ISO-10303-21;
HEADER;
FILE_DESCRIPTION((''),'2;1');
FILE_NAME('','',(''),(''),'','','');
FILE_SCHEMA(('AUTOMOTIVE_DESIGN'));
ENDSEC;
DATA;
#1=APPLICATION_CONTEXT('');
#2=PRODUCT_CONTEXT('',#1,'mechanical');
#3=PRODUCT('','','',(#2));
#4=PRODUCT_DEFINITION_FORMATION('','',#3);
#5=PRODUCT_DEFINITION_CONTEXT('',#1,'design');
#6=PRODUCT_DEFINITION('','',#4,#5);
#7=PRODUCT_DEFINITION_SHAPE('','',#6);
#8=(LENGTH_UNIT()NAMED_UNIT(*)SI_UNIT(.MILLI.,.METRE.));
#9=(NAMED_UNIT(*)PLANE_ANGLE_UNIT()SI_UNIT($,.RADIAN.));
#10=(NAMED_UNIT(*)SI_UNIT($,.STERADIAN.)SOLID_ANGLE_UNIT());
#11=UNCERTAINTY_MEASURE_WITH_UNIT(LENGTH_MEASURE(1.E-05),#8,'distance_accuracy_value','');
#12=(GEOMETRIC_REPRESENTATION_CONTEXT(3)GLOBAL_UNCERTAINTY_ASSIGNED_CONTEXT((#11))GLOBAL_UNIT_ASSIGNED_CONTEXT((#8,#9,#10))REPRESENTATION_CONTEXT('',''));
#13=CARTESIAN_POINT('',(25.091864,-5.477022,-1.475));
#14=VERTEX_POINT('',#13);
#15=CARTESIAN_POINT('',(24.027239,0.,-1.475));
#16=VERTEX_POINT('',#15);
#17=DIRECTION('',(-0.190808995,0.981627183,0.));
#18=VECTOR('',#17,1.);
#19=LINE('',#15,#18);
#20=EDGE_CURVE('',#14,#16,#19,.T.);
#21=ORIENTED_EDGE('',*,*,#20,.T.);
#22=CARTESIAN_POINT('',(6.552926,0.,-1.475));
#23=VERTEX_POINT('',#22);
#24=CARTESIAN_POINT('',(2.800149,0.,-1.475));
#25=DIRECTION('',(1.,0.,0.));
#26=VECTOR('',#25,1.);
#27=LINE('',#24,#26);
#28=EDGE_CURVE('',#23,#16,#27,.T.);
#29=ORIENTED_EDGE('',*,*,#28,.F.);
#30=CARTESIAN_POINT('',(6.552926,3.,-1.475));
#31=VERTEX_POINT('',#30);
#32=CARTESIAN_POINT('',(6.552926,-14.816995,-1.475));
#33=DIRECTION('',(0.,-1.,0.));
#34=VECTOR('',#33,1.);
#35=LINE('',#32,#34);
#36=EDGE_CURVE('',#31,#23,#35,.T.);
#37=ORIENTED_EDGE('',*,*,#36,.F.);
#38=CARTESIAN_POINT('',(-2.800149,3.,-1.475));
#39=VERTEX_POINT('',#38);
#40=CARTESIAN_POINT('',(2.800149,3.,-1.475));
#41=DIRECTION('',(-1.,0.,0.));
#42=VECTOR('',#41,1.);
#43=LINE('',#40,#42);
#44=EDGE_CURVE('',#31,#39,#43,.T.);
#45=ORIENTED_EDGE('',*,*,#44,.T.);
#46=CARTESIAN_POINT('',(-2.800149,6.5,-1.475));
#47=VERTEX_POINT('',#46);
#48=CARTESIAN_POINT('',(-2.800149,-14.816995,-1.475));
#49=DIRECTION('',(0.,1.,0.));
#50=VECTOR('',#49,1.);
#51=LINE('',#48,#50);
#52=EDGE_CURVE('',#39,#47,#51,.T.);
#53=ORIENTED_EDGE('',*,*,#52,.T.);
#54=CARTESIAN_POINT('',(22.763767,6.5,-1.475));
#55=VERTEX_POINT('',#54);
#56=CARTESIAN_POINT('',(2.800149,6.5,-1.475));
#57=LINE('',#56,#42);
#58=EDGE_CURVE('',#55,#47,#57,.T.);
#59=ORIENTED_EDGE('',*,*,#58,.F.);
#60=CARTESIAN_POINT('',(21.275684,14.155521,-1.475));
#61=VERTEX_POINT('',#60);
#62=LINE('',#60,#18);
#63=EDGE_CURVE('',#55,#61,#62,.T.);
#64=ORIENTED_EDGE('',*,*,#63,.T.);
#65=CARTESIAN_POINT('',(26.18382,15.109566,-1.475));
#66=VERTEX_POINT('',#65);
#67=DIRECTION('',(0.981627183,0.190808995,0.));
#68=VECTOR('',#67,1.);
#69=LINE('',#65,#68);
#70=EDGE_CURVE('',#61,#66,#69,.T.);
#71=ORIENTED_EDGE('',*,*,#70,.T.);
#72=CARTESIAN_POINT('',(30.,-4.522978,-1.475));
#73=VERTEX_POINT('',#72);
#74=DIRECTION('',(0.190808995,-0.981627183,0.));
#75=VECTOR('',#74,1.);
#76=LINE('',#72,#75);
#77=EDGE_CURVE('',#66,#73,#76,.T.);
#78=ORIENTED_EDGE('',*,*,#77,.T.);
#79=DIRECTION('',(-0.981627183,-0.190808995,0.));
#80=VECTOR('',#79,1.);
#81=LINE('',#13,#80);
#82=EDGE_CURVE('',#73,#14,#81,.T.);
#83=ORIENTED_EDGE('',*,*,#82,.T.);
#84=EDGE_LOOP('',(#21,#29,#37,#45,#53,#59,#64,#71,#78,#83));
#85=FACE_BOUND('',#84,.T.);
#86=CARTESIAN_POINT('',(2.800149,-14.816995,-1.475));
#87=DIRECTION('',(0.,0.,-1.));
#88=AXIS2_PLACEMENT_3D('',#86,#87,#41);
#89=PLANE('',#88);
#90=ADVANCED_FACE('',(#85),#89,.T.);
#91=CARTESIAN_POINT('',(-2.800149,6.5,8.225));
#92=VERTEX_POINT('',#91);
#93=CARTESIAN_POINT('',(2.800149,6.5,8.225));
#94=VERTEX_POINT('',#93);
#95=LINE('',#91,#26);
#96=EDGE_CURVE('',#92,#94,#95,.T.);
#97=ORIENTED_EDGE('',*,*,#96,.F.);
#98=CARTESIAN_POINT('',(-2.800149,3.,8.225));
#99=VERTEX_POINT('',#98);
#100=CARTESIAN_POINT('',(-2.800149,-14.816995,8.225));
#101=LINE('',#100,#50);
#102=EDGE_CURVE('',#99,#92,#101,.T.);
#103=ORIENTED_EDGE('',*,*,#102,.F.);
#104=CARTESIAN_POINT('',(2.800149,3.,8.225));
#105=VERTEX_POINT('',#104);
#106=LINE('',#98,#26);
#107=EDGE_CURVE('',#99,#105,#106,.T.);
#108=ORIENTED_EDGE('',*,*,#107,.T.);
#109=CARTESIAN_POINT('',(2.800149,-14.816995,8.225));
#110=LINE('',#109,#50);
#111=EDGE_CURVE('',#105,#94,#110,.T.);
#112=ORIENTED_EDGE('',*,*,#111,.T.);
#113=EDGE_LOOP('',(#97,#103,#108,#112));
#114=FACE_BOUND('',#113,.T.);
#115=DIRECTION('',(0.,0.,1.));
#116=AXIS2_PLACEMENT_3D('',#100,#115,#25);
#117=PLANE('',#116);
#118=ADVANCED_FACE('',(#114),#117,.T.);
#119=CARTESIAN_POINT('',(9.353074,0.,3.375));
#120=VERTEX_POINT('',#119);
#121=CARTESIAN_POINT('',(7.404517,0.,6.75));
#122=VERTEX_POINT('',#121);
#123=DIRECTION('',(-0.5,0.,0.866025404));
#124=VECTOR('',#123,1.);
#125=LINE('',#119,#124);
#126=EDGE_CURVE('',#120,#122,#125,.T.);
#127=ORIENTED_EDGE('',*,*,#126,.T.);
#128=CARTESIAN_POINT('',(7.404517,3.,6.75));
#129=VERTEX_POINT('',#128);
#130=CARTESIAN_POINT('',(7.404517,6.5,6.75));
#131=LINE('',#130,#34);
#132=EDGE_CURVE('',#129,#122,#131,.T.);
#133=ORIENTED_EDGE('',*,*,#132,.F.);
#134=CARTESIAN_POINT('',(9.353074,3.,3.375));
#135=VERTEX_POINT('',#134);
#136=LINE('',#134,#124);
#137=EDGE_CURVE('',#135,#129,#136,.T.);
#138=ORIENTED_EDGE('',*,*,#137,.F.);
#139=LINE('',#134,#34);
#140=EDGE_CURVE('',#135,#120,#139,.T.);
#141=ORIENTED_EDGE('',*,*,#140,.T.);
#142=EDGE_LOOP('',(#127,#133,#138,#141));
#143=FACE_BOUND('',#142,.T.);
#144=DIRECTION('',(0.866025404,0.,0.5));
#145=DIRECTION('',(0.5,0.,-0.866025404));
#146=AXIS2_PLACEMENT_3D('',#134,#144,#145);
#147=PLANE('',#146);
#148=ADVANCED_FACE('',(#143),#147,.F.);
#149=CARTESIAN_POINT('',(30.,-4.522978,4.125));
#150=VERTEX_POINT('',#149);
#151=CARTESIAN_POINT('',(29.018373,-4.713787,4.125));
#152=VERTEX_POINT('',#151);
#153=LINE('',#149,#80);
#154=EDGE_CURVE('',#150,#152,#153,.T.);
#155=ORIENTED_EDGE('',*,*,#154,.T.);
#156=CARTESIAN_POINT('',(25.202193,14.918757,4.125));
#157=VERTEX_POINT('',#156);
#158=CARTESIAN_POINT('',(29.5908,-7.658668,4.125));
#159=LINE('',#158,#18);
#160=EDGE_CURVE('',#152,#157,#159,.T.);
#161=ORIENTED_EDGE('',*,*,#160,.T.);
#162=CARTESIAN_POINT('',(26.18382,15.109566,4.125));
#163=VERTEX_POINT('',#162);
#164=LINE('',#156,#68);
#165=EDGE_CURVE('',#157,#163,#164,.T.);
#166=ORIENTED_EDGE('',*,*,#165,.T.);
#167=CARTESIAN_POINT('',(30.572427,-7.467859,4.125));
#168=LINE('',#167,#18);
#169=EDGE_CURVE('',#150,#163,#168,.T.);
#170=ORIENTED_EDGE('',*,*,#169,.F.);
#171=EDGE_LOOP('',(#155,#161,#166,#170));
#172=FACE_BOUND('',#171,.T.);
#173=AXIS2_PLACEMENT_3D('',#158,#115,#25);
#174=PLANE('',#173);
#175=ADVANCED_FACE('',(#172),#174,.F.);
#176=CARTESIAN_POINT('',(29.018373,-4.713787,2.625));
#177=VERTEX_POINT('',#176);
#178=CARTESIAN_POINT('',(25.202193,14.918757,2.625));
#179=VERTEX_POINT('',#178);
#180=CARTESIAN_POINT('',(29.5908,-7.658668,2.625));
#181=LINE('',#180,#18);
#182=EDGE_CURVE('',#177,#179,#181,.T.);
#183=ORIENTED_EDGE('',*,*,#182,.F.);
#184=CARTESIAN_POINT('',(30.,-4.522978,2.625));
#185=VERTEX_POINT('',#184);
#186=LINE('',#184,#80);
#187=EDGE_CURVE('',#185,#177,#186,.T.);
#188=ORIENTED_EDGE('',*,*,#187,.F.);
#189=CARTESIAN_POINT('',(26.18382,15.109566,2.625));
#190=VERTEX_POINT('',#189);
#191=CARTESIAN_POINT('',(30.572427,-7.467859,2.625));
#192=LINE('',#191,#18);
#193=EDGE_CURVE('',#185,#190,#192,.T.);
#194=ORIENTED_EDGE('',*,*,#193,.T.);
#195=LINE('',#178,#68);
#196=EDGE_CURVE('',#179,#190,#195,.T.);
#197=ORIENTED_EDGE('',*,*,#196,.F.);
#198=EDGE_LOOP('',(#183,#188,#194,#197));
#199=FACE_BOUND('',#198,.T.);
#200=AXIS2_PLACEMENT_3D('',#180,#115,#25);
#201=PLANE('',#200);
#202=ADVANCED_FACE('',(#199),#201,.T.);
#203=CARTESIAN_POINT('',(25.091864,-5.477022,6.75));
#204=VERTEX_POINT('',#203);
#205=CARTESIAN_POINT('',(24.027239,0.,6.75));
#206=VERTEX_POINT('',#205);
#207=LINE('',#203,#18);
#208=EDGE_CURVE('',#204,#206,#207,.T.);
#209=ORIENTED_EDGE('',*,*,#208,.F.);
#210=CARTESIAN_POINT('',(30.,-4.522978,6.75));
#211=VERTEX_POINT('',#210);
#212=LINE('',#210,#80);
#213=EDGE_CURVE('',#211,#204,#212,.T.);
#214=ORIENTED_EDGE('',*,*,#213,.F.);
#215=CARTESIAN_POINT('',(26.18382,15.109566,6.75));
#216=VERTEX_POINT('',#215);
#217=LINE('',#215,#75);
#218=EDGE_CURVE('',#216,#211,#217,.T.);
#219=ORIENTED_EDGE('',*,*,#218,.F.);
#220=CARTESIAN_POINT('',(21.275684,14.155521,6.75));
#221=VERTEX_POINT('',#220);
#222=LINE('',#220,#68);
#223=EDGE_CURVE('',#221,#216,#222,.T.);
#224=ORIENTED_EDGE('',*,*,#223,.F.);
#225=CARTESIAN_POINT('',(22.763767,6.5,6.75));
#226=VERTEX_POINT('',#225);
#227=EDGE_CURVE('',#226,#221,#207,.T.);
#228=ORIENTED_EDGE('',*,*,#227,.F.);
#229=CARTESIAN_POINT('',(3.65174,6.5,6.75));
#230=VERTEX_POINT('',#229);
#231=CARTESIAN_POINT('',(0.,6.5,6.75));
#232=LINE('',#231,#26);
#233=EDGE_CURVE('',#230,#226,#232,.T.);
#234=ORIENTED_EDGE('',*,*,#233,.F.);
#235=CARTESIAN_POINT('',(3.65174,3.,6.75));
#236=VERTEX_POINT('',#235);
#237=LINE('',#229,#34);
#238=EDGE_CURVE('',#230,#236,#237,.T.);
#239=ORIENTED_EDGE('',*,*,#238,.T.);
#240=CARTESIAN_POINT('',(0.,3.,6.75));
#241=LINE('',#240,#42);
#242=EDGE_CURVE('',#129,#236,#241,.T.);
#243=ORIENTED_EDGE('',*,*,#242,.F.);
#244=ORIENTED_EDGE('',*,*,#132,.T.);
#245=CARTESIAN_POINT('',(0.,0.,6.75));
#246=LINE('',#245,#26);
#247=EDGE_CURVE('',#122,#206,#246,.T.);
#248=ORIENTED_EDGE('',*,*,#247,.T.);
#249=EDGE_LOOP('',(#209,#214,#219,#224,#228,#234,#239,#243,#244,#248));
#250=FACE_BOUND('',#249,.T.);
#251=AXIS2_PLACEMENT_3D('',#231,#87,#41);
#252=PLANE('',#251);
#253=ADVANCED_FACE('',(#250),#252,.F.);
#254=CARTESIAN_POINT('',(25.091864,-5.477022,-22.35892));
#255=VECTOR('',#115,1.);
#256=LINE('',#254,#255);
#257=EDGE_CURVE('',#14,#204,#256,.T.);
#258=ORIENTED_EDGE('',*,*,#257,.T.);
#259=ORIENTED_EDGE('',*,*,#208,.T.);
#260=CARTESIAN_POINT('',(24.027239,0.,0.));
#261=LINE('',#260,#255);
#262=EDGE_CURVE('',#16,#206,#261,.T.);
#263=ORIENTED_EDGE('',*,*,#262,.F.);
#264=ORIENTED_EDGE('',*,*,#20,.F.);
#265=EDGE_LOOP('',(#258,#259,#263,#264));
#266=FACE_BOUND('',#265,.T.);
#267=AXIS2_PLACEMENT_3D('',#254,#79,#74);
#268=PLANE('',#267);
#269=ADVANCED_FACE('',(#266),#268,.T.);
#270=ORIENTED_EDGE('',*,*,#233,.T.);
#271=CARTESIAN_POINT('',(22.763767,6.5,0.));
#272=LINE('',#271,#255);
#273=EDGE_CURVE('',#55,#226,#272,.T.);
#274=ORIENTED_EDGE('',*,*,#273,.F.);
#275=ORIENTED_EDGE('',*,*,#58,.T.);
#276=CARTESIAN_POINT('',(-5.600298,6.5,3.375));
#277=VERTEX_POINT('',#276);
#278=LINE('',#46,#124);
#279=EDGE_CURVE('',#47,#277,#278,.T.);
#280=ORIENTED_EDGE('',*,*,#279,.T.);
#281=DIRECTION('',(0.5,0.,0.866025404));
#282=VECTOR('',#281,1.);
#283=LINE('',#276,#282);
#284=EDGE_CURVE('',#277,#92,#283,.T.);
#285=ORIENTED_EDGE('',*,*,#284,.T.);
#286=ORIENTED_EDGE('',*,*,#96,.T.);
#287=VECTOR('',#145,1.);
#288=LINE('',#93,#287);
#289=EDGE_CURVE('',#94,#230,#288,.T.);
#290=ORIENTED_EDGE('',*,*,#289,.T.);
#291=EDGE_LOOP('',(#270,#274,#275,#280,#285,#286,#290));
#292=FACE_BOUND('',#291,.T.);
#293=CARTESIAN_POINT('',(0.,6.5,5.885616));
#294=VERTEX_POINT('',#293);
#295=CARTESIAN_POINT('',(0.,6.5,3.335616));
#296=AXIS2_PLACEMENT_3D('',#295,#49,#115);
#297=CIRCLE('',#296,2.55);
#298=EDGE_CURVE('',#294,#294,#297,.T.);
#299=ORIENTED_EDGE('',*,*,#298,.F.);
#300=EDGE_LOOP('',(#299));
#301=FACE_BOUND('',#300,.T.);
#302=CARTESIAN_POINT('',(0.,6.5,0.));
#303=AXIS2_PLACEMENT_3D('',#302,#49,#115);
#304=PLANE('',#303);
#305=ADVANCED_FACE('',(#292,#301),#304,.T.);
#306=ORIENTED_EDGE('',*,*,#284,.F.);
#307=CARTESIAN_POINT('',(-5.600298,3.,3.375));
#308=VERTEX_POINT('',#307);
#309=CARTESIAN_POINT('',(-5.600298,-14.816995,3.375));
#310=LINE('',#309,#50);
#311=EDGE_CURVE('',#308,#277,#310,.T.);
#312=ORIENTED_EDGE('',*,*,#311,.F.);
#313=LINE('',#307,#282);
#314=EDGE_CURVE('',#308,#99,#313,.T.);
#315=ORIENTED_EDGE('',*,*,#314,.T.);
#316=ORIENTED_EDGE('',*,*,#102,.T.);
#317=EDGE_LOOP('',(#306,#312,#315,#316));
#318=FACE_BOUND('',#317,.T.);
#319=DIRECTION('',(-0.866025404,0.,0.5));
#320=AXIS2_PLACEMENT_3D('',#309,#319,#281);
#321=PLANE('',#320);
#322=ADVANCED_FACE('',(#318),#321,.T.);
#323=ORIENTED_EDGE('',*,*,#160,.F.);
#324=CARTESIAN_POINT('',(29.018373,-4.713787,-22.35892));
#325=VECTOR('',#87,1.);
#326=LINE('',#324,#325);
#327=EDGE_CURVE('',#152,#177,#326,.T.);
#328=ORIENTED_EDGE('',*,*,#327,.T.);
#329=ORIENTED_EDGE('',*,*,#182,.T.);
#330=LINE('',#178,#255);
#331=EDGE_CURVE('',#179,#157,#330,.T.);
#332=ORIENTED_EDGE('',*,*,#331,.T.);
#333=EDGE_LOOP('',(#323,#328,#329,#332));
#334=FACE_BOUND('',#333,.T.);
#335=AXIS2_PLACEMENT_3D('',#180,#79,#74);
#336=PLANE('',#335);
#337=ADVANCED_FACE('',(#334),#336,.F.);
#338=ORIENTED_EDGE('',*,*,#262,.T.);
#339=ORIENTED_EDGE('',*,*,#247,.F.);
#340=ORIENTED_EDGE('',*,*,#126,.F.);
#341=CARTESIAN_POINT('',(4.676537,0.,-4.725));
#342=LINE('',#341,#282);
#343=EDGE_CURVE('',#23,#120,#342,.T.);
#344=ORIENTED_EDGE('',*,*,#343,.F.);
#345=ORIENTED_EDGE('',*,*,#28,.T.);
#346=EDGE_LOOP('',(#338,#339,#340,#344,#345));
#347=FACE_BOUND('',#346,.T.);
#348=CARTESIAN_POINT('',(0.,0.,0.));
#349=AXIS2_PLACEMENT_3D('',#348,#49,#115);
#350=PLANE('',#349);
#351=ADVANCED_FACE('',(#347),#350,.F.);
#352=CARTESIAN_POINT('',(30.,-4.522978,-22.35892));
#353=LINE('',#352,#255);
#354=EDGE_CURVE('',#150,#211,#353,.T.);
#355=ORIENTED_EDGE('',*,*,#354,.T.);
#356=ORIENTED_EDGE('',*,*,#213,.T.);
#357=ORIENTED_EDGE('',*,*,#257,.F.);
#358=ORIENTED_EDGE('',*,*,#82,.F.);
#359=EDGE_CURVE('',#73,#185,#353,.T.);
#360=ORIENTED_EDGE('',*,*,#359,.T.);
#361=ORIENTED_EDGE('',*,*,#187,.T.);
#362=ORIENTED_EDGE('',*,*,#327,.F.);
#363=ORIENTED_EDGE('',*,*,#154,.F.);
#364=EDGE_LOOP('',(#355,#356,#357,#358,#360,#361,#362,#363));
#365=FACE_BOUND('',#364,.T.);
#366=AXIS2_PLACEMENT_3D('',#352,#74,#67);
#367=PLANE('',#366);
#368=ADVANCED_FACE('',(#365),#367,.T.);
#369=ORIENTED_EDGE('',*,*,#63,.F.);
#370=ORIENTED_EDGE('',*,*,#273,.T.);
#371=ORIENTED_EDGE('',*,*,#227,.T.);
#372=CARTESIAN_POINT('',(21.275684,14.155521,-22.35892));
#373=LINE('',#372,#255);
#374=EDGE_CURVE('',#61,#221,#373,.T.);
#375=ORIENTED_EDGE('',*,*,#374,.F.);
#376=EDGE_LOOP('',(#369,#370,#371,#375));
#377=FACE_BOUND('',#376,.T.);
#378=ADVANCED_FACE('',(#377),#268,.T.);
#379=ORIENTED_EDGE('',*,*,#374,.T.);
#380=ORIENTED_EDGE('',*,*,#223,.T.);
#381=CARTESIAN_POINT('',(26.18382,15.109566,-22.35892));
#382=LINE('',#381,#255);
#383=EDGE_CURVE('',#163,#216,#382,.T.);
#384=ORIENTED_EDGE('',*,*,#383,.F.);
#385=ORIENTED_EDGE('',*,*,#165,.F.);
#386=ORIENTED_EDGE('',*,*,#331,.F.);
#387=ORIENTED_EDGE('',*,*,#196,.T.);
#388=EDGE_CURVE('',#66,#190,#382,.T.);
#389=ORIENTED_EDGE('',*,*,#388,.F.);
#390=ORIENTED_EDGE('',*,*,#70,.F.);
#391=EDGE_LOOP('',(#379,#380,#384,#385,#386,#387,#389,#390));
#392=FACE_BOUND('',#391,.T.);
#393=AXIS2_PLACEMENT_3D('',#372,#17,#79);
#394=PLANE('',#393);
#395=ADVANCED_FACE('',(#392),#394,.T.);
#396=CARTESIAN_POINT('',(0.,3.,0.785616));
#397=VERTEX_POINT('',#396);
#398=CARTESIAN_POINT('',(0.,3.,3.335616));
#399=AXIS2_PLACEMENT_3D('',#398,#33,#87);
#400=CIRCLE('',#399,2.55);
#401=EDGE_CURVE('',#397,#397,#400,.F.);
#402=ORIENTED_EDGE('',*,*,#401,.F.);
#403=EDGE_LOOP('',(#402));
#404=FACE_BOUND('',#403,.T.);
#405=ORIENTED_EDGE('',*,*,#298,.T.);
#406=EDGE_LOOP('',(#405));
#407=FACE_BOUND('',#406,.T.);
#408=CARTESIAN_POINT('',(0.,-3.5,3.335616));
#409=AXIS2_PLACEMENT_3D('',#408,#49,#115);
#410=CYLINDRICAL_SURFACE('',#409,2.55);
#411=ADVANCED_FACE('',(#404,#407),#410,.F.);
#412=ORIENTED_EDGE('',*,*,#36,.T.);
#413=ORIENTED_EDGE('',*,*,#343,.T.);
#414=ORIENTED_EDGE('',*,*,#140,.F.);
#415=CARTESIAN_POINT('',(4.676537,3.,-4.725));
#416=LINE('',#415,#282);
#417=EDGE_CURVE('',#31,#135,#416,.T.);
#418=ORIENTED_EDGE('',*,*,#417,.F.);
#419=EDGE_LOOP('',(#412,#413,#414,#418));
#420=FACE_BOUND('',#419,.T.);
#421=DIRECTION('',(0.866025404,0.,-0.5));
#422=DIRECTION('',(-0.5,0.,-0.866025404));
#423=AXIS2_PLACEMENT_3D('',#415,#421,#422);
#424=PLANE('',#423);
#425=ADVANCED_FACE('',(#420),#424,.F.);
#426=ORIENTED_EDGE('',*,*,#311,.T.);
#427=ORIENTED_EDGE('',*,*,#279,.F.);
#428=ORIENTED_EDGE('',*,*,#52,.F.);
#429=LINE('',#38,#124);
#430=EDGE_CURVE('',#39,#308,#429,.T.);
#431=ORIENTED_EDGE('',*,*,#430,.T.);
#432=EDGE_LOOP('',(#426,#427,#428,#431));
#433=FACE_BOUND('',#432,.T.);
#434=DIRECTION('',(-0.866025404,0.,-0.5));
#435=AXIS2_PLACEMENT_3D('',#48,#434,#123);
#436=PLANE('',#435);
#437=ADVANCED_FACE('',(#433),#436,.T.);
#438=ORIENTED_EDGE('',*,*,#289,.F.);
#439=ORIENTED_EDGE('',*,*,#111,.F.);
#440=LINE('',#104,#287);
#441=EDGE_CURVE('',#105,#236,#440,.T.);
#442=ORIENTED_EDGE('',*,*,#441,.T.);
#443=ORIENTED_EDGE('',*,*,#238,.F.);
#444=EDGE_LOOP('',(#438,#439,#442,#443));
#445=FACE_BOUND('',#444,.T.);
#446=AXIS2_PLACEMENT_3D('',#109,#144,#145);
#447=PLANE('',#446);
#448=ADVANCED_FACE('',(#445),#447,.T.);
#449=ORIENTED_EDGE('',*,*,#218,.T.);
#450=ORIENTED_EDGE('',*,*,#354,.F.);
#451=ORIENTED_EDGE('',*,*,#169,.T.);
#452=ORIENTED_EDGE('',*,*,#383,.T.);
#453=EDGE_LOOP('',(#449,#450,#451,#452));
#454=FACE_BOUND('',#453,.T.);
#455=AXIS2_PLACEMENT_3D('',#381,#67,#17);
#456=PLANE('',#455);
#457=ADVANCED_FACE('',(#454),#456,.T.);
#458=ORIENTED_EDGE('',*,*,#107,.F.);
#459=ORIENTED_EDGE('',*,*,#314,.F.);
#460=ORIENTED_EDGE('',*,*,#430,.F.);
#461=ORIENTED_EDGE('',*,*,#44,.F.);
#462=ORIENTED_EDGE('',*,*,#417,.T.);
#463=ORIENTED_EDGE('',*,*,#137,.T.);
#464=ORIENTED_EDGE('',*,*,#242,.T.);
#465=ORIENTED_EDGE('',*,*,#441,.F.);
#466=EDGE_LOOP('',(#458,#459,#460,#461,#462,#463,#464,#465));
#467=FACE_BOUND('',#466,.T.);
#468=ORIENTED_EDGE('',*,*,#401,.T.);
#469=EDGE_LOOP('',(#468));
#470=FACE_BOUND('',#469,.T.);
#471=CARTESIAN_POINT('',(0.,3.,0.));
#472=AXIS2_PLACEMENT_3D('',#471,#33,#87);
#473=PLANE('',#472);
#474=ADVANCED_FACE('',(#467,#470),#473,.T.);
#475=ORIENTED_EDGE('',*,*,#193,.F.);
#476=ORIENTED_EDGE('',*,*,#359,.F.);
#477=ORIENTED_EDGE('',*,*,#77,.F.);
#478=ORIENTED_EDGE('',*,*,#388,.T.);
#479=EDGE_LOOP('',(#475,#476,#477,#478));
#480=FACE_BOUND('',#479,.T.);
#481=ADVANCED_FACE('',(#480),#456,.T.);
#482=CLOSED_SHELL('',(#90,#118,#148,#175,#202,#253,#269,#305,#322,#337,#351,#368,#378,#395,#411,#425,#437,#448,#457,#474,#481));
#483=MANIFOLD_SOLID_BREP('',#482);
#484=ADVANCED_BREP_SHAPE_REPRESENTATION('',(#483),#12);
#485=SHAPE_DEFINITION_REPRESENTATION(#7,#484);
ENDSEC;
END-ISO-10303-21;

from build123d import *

# Parameters (mm, degrees)
SKETCH1_W                       = 25
SKETCH1_H                       = 6.75
BOSS_EXTRUDE1_DEPTH             = 6.5
BOSS_EXTRUDE3_REACH             = 5.375
BOSS_EXTRUDE3_DIRECTION_2_REACH = 5.375
SKETCH4_W                       = 1
SKETCH4_H                       = 1.5
CUT_EXTRUDE1_DEPTH              = 23
BOSS_EXTRUDE4_DEPTH             = 6.5
SKETCH6_R                       = 2.55
CUT_EXTRUDE2_DEPTH              = 10
BOSS_EXTRUDE5_DEPTH             = 1.475
CUT_EXTRUDE3_DEPTH              = 3


with BuildPart() as part:
    # Sketch1 → Boss-Extrude1 (new body)
    with BuildSketch(Plane(origin=(0, 0, 0), x_dir=(1, 0, 0), z_dir=(0, 1, 0))):
        with Locations((12.5, -3.375)):
            Rectangle(SKETCH1_W, SKETCH1_H)
    extrude(amount=BOSS_EXTRUDE1_DEPTH)

    # Boss-Extrude3: up to this face of the body (flat: up to its plane)
    boss_extrude3_end = Plane(part.part.faces().sort_by_distance((12.5, 3.25, 0))[0])
    # Sketch3 → Boss-Extrude3 (add, up to the picked face)
    with BuildSketch(Plane.XY.offset(3.375), mode=Mode.PRIVATE) as boss_extrude3_sk1:
        Polygon((21.275684175, 14.155521181), (26.183820092, 15.109566157), (30, -4.522977512), (25.091864083, -5.477022488), align=None)
    boss_extrude3_tool1 = split(extrude(boss_extrude3_sk1.sketch, amount=-BOSS_EXTRUDE3_REACH, mode=Mode.PRIVATE), bisect_by=boss_extrude3_end, keep=Keep.BOTH, mode=Mode.PRIVATE)
    add(boss_extrude3_tool1.solids().sort_by_distance((25.637842, 4.816272, 3.375))[0])

    # Boss-Extrude3 direction 2: up to this face of the body (flat: up to its plane)
    boss_extrude3_direction_2_end = Plane(part.part.faces().sort_by_distance((12.5, 3.25, 6.75))[0])
    # Sketch3 → Boss-Extrude3 direction 2 (add, up to the picked face)
    with BuildSketch(Plane.XY.offset(3.375), mode=Mode.PRIVATE) as boss_extrude3_direction_2_sk1:
        Polygon((21.275684175, 14.155521181), (26.183820092, 15.109566157), (30, -4.522977512), (25.091864083, -5.477022488), align=None)
    boss_extrude3_direction_2_tool1 = split(extrude(boss_extrude3_direction_2_sk1.sketch, amount=BOSS_EXTRUDE3_DIRECTION_2_REACH, mode=Mode.PRIVATE), bisect_by=boss_extrude3_direction_2_end, keep=Keep.BOTH, mode=Mode.PRIVATE)
    add(boss_extrude3_direction_2_tool1.solids().sort_by_distance((25.637842, 4.816272, 3.375))[0])

    # Sketch4 → Cut-Extrude1 (cut)
    with BuildSketch(Plane(origin=(-1.876769127, 9.65514015, 0), x_dir=(0.981627183, 0.190808995, 0), z_dir=(-0.190808995, 0.981627183, 0))):
        with Locations((28.085790708, -3.375)):
            Rectangle(SKETCH4_W, SKETCH4_H)
    extrude(amount=-CUT_EXTRUDE1_DEPTH, mode=Mode.SUBTRACT)

    # Sketch5 → Boss-Extrude4 (add)
    with BuildSketch(Plane(origin=(0, 6.5, 0), x_dir=(1, 0, 0), z_dir=(0, 1, 0))):
        Polygon((-5.600297611, -3.375), (-2.800148806, -8.225), (2.800148806, -8.225), (5.600297611, -3.375), (2.800148806, 1.475), (-2.800148806, 1.475), align=None)
    extrude(amount=-BOSS_EXTRUDE4_DEPTH)

    # Sketch6 → Cut-Extrude2 (cut)
    with BuildSketch(Plane(origin=(0, 6.5, 0), x_dir=(1, 0, 0), z_dir=(0, 1, 0))):
        with Locations((0, -3.335615973)):
            Circle(SKETCH6_R)
    extrude(amount=-CUT_EXTRUDE2_DEPTH, mode=Mode.SUBTRACT)

    # Sketch7 → Boss-Extrude5 (add)
    with BuildSketch(Plane(origin=(0, 0, -1.475), x_dir=(-1, 0, 0), z_dir=(0, 0, -1))):
        Polygon((-2.800148806, 0), (-24.027238758, 0), (-25.091864083, -5.477022488), (-30, -4.522977512), (-26.183820092, 15.109566157), (-21.275684175, 14.155521181), (-22.763766749, 6.5), (-2.800148806, 6.5), align=None)
    extrude(amount=-BOSS_EXTRUDE5_DEPTH)

    # Sketch8 → Cut-Extrude3 (cut)
    with BuildSketch(Plane(origin=(0, 0, 0), x_dir=(-1, 0, 0), z_dir=(0, -1, 0))):
        Polygon((-4.67653718, -11.475), (4.67653718, -11.475), (9.353074361, -3.375), (4.67653718, 4.725), (-4.67653718, 4.725), (-9.353074361, -3.375), align=None)
    extrude(amount=-CUT_EXTRUDE3_DEPTH, mode=Mode.SUBTRACT)


solid = part.part
